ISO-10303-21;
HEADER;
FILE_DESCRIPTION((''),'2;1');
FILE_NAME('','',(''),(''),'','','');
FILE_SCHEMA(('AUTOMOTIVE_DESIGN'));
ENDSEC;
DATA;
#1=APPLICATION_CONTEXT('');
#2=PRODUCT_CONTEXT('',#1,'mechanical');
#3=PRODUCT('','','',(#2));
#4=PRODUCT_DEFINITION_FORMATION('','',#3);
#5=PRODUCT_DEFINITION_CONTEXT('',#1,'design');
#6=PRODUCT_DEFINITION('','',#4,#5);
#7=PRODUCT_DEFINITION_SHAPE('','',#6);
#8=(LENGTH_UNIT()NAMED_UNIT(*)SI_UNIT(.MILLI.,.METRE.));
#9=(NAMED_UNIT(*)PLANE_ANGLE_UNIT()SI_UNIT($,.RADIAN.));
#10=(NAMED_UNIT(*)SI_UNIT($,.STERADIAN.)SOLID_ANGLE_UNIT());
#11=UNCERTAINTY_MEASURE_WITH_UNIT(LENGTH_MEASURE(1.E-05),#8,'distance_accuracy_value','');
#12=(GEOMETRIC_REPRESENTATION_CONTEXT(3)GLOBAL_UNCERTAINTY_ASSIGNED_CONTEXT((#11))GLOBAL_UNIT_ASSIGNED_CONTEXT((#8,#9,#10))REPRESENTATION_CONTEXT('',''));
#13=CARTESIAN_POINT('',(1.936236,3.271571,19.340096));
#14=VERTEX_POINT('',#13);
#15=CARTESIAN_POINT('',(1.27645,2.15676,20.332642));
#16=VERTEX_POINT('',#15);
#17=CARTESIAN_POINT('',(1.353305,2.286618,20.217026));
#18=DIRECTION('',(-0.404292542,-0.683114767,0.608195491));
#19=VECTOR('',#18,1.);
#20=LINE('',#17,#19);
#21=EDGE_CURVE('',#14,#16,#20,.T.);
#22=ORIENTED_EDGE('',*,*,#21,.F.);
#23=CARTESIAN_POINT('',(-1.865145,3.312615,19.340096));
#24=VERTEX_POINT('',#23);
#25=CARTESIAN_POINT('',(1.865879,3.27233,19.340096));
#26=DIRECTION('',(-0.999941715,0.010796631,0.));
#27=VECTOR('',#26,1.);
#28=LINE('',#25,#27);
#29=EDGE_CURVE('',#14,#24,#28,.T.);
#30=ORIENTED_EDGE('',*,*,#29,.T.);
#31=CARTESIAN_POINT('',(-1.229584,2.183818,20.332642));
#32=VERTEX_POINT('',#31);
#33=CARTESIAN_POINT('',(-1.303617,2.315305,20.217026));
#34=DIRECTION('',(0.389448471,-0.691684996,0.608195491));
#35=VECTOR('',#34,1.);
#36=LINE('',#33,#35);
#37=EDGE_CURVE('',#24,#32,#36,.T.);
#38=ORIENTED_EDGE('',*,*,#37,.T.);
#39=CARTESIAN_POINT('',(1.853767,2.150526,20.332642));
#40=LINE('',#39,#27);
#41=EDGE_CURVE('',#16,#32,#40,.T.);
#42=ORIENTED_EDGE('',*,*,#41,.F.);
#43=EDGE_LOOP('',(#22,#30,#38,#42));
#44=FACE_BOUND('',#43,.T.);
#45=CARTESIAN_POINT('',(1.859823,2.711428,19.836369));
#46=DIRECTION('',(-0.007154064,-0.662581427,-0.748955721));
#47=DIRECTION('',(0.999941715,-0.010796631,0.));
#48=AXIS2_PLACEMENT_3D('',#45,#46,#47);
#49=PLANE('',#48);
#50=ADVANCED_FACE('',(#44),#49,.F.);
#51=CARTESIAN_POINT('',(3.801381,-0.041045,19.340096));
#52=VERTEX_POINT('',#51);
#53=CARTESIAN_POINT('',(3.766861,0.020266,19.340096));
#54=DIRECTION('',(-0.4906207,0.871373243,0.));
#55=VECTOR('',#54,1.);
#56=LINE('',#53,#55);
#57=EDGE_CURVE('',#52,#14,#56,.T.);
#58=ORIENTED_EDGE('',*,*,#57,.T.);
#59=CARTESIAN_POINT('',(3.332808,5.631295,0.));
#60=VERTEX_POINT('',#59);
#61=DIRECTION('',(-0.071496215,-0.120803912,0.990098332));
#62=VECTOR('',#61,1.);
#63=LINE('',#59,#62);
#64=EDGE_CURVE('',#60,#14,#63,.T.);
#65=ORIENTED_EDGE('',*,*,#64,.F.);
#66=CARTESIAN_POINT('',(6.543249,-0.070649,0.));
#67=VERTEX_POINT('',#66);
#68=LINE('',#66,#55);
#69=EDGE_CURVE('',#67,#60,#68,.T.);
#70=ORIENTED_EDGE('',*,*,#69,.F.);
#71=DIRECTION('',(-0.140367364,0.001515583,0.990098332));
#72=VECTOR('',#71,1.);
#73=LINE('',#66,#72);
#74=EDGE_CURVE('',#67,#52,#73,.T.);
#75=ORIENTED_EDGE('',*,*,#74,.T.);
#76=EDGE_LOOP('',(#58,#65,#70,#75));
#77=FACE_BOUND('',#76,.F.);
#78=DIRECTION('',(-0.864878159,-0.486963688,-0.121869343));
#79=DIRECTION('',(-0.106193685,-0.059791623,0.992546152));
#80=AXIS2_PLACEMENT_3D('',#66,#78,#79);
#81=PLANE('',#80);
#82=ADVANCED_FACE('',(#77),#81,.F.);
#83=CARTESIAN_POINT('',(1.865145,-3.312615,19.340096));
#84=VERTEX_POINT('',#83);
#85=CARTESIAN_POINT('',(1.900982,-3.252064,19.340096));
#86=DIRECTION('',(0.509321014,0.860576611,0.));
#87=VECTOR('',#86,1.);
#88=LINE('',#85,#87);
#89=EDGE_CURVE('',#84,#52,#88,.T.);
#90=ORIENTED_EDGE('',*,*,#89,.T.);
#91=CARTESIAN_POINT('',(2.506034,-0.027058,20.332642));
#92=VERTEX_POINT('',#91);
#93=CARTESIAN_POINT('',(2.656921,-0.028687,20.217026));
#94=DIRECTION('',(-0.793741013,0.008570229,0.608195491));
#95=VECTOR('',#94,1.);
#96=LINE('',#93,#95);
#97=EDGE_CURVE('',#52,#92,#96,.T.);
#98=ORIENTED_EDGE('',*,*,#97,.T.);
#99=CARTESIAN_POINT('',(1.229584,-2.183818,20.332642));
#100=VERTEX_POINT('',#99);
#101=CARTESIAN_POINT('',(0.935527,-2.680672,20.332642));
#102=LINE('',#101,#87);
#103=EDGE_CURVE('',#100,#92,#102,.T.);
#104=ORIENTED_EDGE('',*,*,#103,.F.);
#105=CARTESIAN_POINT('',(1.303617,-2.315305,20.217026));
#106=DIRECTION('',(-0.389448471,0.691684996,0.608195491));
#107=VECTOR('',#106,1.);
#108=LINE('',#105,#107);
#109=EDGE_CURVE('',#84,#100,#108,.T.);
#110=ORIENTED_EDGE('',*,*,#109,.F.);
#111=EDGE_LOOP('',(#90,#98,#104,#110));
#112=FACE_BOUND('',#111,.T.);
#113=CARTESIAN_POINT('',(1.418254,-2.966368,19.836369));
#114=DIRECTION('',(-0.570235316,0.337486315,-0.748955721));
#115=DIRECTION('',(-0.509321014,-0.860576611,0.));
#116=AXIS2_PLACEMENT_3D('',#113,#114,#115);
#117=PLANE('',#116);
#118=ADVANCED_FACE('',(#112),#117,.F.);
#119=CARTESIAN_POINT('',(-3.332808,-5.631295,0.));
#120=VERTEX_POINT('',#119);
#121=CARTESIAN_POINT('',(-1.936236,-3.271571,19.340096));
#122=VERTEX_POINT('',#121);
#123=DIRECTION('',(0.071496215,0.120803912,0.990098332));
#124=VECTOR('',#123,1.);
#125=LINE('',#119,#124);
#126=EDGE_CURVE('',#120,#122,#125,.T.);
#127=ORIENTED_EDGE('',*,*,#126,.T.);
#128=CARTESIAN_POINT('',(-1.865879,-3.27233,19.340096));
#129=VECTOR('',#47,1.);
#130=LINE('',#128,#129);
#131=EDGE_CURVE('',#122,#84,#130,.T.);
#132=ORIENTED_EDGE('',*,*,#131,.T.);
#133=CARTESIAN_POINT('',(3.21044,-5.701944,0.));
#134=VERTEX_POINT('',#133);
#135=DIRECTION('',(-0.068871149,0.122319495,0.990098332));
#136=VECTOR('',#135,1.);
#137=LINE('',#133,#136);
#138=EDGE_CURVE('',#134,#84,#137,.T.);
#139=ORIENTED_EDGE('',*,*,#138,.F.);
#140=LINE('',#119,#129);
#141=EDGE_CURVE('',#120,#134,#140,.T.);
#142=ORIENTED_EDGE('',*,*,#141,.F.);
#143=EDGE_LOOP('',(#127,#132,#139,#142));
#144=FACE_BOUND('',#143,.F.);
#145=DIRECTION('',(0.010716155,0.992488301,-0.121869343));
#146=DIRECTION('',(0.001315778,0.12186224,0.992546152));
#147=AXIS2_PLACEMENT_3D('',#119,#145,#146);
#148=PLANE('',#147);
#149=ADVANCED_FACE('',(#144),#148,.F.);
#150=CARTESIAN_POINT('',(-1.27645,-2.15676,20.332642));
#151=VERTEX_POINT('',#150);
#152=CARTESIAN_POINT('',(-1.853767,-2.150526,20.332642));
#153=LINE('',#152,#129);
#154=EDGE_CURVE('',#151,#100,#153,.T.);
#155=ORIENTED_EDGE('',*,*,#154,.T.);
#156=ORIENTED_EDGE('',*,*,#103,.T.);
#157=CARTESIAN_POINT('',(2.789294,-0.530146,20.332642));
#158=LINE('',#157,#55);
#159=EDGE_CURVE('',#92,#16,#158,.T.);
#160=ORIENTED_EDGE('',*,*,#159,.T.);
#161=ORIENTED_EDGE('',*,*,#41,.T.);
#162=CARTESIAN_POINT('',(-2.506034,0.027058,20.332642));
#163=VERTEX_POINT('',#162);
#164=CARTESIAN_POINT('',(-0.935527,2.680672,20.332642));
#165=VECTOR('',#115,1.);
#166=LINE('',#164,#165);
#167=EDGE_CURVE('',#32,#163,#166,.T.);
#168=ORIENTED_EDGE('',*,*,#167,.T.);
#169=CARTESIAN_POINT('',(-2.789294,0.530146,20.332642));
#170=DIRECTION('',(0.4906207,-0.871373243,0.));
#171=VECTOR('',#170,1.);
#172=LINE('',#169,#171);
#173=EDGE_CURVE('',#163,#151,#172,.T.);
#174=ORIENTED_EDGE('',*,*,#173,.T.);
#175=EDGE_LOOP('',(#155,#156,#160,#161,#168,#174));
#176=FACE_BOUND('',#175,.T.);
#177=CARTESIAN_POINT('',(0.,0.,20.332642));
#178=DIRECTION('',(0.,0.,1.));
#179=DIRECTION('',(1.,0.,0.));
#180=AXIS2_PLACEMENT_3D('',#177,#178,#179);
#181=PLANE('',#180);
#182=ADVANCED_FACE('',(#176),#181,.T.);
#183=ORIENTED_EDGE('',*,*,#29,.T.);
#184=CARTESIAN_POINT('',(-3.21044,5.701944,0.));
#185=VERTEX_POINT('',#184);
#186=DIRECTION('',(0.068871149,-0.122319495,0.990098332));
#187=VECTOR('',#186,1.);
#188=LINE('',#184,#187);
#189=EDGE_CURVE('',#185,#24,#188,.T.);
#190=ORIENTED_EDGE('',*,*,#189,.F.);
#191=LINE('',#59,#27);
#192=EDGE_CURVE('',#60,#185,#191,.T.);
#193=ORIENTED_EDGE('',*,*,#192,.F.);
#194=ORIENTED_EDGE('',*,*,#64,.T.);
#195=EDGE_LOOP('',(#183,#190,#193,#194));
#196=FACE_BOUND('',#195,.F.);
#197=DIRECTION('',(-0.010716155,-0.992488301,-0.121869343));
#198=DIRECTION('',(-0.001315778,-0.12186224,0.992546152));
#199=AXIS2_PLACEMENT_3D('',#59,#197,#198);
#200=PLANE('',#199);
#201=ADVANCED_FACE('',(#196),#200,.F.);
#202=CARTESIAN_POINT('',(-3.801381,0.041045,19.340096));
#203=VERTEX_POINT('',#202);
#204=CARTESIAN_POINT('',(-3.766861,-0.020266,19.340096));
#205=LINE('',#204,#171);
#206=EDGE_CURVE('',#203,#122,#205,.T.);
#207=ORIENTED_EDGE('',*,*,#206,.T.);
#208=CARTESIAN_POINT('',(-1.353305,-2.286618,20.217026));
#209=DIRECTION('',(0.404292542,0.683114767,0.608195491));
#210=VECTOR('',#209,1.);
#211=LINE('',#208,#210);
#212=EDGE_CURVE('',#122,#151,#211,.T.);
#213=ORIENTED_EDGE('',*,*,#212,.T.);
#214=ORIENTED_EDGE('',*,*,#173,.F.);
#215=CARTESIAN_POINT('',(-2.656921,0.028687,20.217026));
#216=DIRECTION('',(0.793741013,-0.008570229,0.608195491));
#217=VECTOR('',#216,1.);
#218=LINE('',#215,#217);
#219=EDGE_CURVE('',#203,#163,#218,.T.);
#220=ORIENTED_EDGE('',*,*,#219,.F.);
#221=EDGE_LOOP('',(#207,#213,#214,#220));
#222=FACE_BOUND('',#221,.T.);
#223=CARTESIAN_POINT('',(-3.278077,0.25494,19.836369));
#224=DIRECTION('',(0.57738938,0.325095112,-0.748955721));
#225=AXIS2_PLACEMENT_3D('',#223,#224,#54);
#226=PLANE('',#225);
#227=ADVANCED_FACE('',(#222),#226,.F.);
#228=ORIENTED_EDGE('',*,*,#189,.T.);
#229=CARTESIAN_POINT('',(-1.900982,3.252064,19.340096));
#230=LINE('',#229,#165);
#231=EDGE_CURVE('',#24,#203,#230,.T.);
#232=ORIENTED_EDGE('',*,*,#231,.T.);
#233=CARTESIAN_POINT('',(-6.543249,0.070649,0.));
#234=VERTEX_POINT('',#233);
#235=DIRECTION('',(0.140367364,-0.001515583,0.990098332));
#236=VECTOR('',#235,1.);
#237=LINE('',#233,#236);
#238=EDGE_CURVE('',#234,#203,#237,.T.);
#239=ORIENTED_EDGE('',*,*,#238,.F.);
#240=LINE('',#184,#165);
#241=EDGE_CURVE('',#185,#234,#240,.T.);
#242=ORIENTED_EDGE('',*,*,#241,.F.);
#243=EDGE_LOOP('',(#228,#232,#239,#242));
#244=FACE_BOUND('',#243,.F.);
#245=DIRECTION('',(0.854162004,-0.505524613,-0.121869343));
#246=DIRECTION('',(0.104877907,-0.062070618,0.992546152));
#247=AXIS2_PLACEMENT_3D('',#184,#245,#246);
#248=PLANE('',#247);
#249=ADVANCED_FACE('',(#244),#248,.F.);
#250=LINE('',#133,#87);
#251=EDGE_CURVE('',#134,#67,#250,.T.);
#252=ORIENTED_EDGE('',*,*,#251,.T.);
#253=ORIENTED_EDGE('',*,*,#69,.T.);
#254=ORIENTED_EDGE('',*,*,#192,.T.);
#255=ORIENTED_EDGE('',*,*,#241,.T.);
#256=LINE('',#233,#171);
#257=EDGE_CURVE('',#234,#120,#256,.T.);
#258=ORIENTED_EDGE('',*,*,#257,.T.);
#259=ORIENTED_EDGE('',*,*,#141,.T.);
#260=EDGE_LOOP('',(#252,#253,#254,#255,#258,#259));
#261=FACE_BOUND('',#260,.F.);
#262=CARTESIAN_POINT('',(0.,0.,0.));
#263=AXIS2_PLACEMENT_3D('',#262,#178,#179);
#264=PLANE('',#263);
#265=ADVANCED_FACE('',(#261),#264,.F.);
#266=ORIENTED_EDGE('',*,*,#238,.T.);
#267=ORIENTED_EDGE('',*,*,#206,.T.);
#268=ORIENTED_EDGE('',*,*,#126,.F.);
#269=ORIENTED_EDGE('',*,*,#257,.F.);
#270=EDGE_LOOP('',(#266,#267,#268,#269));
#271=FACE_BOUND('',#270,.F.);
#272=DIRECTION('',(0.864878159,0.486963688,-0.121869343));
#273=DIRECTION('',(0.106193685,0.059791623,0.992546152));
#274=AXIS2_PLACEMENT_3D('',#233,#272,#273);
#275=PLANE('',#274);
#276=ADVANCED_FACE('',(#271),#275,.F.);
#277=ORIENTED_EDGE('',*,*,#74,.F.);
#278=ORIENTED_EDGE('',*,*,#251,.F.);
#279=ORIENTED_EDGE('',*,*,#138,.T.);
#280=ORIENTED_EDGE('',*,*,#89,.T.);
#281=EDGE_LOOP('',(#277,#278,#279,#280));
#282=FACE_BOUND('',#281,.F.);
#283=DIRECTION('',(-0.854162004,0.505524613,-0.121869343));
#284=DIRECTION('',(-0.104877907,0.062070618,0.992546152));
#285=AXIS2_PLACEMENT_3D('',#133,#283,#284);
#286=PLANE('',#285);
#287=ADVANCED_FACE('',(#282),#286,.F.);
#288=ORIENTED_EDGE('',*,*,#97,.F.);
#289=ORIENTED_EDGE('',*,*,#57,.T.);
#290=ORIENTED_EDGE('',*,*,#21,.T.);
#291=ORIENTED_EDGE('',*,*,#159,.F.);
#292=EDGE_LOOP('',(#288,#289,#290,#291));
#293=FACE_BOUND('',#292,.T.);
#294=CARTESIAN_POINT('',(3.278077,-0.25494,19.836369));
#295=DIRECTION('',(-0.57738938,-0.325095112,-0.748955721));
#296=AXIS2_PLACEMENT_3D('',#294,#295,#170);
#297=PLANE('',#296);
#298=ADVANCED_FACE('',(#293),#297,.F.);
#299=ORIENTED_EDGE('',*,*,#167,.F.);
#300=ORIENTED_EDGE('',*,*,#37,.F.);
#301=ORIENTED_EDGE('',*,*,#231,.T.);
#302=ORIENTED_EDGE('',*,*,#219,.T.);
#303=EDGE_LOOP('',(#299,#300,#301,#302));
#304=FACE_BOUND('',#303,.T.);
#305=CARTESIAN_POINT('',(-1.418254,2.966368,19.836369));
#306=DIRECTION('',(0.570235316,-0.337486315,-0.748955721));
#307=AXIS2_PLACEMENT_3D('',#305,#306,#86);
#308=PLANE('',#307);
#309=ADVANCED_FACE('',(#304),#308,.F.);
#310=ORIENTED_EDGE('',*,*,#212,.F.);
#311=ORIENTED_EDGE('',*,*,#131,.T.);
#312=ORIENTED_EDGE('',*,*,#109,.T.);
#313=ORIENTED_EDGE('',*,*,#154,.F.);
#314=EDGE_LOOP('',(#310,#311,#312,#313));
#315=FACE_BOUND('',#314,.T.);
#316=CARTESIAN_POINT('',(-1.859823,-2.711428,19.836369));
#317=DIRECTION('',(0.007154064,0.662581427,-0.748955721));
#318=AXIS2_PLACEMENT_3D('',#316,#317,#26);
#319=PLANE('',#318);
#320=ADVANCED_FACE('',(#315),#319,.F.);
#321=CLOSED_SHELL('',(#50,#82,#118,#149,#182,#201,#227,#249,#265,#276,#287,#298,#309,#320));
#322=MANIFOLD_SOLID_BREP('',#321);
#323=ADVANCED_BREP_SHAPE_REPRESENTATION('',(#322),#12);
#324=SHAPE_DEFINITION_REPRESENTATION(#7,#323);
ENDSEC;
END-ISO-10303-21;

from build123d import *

# Parameters (mm, degrees)
F1_DEPTH = 20.3326418996
F1_TAPER = 7
F2_SIZE  = 1


with BuildPart() as f1:
    # F0 (on Top) → F1 (new body)
    with BuildSketch(Plane.XY):
        Polygon((3.2104404383, -5.701944282), (6.5432488184, -0.0706491641), (3.3328083801, 5.6312951179), (-3.2104404383, 5.701944282), (-6.5432488184, 0.0706491641), (-3.3328083801, -5.6312951179), align=None)
    extrude(amount=F1_DEPTH, taper=F1_TAPER)

    # F2
    f2_edges = [f1.edges().sort_by_distance(p)[0] for p in [
        (2.762615, 1.555471, 20.332642),
        (-2.762615, -1.555471, 20.332642),
        (0.03423, 3.170231, 20.332642),
        (-2.728385, 1.614759, 20.332642),
        (-0.03423, -3.170231, 20.332642),
        (2.728385, -1.614759, 20.332642),
    ]]
    chamfer(f2_edges, length=F2_SIZE)


solid = f1.part
